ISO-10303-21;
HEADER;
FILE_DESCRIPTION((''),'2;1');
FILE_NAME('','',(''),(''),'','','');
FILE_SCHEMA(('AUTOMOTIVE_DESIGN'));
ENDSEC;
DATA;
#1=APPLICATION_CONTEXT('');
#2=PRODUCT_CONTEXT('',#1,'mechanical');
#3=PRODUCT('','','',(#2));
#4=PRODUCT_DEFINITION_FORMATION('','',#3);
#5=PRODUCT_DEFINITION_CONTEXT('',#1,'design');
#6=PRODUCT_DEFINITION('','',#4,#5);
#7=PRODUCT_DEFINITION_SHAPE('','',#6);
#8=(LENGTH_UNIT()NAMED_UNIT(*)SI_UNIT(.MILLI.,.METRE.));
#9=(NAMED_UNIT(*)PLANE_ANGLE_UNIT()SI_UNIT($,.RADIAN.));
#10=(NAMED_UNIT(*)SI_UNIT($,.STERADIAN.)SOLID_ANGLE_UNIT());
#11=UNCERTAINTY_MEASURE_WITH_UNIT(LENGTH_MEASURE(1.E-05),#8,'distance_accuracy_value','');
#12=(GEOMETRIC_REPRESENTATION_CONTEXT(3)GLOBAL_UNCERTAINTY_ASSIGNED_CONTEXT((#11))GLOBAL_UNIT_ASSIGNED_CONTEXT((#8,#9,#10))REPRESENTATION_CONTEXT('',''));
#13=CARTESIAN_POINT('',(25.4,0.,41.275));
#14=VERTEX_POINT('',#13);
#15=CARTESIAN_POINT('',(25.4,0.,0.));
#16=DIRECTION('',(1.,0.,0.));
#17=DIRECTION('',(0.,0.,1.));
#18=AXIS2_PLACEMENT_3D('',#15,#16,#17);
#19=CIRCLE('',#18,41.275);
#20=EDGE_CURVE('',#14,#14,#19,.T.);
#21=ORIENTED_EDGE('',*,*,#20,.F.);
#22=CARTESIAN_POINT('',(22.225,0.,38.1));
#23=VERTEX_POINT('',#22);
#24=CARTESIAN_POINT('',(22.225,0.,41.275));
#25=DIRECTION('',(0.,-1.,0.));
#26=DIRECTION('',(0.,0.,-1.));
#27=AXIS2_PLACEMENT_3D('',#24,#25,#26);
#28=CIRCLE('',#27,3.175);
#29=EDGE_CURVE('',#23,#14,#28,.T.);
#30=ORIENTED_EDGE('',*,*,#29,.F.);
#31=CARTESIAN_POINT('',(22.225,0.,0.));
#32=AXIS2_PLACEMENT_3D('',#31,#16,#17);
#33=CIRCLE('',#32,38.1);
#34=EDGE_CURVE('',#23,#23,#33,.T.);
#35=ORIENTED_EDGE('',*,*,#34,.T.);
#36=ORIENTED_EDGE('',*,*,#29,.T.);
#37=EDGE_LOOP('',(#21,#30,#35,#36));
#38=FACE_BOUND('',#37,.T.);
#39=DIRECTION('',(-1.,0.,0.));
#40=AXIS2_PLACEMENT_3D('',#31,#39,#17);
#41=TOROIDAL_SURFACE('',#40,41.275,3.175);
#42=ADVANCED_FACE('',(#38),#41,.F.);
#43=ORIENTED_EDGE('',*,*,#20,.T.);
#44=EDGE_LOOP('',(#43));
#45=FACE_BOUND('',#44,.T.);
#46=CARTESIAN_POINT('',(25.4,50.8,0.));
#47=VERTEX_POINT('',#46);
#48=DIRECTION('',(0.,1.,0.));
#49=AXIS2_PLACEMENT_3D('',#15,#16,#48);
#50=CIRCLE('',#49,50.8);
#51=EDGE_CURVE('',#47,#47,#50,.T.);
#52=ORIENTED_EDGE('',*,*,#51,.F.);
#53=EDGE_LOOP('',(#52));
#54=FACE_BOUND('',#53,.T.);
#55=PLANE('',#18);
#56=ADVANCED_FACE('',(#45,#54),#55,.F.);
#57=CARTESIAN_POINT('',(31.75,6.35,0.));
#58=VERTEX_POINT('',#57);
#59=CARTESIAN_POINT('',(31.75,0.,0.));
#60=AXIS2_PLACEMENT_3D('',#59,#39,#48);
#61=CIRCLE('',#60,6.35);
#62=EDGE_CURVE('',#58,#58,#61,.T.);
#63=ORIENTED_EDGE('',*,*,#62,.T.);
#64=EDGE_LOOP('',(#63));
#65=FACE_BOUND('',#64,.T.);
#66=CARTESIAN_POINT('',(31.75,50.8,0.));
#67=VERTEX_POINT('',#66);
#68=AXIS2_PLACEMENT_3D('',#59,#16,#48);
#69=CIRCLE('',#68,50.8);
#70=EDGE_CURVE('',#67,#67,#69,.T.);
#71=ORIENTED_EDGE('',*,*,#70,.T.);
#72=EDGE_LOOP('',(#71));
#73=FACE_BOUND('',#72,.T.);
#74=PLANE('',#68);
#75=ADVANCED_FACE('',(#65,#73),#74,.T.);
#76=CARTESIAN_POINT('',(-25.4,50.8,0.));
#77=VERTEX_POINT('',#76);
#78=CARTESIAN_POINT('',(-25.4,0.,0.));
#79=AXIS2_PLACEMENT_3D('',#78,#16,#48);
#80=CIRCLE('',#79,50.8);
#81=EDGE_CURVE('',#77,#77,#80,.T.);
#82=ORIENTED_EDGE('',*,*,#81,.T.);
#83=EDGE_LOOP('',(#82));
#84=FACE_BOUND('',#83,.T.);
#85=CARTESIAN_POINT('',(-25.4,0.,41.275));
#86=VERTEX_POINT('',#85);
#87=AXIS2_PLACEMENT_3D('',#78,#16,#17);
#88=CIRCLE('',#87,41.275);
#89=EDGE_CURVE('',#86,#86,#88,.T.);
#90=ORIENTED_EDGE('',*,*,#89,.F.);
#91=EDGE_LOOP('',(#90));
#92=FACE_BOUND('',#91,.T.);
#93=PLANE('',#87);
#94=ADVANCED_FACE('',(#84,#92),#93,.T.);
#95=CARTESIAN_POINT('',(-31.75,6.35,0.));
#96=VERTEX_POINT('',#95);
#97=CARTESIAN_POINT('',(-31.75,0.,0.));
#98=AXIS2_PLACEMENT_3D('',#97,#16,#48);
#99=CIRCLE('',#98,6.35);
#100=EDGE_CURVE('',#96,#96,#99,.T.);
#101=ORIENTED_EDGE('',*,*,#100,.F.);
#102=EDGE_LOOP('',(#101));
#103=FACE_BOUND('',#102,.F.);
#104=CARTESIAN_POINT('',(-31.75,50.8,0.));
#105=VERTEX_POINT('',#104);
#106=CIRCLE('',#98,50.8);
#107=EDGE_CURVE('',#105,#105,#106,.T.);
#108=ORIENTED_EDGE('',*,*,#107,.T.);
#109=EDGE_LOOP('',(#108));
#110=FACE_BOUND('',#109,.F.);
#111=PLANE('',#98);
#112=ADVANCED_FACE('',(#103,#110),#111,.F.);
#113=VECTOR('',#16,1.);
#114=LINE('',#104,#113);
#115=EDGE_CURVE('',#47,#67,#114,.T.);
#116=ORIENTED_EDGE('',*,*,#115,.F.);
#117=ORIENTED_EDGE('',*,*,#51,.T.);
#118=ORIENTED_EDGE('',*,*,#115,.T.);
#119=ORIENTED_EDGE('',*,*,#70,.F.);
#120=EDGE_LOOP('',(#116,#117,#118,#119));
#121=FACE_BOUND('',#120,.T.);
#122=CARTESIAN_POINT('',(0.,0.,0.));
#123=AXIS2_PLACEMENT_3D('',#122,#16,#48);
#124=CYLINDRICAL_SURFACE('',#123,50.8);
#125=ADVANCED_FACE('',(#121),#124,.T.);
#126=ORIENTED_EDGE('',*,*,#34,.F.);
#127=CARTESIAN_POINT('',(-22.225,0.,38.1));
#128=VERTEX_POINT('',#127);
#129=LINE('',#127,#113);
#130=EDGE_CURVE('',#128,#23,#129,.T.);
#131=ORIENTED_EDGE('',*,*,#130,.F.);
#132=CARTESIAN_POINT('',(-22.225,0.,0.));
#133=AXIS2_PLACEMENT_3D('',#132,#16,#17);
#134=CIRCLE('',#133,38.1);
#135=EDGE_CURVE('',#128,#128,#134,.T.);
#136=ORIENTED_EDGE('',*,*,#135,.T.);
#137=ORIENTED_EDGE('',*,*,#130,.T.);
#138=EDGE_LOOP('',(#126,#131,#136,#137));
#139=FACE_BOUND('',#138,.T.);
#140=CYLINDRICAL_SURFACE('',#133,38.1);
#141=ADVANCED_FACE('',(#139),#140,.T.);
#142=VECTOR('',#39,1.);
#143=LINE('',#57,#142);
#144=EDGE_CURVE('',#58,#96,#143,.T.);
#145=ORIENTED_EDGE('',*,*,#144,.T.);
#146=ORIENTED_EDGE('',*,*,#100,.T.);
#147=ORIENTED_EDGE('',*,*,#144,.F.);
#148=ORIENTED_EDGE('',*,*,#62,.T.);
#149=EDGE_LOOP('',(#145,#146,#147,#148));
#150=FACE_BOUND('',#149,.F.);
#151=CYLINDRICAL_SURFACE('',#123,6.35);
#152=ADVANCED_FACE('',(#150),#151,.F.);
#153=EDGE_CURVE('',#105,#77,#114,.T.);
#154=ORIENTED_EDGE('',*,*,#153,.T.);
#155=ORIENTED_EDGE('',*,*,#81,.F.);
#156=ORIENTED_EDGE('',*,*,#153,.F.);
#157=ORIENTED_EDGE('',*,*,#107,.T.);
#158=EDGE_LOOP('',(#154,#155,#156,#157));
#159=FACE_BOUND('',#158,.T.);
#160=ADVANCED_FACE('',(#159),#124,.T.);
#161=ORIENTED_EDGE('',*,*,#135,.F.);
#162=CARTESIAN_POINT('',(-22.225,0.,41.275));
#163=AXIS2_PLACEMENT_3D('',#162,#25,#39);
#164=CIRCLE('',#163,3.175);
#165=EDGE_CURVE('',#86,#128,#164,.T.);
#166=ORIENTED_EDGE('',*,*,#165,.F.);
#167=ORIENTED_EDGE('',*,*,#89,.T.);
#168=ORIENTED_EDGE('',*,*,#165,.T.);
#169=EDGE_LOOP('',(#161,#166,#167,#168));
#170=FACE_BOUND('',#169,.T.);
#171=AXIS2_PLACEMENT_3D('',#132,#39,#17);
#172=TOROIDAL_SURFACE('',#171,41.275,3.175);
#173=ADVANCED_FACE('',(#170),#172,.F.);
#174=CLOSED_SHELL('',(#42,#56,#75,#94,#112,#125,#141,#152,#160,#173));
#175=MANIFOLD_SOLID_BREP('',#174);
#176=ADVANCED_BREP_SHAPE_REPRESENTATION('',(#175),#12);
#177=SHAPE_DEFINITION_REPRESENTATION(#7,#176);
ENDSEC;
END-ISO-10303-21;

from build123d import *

# Parameters (mm, degrees)
F0_R          = 50.8
F1_DEPTH      = 31.75
F4_R          = 6.35
F5_DEPTH      = 31.751
F5_DEPTH_BACK = 31.751


with BuildPart() as f1:
    # F0 (on Right) → F1 (new body, symmetric)
    with BuildSketch(Plane.YZ):
        Circle(F0_R)
    extrude(amount=F1_DEPTH, both=True)

    # F2 (on Front) → F3 (revolve, cut)
    with BuildSketch(Plane.XZ):
        with BuildLine():
            ThreePointArc((25.4, 74.3732936617), (24.4700640303, 76.618357692), (22.225, 77.5482936617))
            Line((22.225, 77.5482936617), (-22.225, 77.5482936617))
            ThreePointArc((-22.225, 77.5482936617), (-24.4700640303, 76.618357692), (-25.4, 74.3732936617))
            Line((-25.4, 74.3732936617), (-25.4, 41.275))
            ThreePointArc((-25.4, 41.275), (-24.4700640303, 39.0299359697), (-22.225, 38.1))
            Line((-22.225, 38.1), (22.225, 38.1))
            ThreePointArc((22.225, 38.1), (24.4700640303, 39.0299359697), (25.4, 41.275))
            Line((25.4, 41.275), (25.4, 74.3732936617))
        make_face()
    revolve(axis=Axis((0, 0, 0), (1, 0, 0)), mode=Mode.SUBTRACT)

    # F4 (on Right) → F5 (cut, two sides)
    with BuildSketch(Plane.YZ) as f5_sk:
        Circle(F4_R)
    extrude(amount=-F5_DEPTH, mode=Mode.SUBTRACT)
    extrude(f5_sk.sketch, amount=F5_DEPTH_BACK, mode=Mode.SUBTRACT)


solid = f1.part
